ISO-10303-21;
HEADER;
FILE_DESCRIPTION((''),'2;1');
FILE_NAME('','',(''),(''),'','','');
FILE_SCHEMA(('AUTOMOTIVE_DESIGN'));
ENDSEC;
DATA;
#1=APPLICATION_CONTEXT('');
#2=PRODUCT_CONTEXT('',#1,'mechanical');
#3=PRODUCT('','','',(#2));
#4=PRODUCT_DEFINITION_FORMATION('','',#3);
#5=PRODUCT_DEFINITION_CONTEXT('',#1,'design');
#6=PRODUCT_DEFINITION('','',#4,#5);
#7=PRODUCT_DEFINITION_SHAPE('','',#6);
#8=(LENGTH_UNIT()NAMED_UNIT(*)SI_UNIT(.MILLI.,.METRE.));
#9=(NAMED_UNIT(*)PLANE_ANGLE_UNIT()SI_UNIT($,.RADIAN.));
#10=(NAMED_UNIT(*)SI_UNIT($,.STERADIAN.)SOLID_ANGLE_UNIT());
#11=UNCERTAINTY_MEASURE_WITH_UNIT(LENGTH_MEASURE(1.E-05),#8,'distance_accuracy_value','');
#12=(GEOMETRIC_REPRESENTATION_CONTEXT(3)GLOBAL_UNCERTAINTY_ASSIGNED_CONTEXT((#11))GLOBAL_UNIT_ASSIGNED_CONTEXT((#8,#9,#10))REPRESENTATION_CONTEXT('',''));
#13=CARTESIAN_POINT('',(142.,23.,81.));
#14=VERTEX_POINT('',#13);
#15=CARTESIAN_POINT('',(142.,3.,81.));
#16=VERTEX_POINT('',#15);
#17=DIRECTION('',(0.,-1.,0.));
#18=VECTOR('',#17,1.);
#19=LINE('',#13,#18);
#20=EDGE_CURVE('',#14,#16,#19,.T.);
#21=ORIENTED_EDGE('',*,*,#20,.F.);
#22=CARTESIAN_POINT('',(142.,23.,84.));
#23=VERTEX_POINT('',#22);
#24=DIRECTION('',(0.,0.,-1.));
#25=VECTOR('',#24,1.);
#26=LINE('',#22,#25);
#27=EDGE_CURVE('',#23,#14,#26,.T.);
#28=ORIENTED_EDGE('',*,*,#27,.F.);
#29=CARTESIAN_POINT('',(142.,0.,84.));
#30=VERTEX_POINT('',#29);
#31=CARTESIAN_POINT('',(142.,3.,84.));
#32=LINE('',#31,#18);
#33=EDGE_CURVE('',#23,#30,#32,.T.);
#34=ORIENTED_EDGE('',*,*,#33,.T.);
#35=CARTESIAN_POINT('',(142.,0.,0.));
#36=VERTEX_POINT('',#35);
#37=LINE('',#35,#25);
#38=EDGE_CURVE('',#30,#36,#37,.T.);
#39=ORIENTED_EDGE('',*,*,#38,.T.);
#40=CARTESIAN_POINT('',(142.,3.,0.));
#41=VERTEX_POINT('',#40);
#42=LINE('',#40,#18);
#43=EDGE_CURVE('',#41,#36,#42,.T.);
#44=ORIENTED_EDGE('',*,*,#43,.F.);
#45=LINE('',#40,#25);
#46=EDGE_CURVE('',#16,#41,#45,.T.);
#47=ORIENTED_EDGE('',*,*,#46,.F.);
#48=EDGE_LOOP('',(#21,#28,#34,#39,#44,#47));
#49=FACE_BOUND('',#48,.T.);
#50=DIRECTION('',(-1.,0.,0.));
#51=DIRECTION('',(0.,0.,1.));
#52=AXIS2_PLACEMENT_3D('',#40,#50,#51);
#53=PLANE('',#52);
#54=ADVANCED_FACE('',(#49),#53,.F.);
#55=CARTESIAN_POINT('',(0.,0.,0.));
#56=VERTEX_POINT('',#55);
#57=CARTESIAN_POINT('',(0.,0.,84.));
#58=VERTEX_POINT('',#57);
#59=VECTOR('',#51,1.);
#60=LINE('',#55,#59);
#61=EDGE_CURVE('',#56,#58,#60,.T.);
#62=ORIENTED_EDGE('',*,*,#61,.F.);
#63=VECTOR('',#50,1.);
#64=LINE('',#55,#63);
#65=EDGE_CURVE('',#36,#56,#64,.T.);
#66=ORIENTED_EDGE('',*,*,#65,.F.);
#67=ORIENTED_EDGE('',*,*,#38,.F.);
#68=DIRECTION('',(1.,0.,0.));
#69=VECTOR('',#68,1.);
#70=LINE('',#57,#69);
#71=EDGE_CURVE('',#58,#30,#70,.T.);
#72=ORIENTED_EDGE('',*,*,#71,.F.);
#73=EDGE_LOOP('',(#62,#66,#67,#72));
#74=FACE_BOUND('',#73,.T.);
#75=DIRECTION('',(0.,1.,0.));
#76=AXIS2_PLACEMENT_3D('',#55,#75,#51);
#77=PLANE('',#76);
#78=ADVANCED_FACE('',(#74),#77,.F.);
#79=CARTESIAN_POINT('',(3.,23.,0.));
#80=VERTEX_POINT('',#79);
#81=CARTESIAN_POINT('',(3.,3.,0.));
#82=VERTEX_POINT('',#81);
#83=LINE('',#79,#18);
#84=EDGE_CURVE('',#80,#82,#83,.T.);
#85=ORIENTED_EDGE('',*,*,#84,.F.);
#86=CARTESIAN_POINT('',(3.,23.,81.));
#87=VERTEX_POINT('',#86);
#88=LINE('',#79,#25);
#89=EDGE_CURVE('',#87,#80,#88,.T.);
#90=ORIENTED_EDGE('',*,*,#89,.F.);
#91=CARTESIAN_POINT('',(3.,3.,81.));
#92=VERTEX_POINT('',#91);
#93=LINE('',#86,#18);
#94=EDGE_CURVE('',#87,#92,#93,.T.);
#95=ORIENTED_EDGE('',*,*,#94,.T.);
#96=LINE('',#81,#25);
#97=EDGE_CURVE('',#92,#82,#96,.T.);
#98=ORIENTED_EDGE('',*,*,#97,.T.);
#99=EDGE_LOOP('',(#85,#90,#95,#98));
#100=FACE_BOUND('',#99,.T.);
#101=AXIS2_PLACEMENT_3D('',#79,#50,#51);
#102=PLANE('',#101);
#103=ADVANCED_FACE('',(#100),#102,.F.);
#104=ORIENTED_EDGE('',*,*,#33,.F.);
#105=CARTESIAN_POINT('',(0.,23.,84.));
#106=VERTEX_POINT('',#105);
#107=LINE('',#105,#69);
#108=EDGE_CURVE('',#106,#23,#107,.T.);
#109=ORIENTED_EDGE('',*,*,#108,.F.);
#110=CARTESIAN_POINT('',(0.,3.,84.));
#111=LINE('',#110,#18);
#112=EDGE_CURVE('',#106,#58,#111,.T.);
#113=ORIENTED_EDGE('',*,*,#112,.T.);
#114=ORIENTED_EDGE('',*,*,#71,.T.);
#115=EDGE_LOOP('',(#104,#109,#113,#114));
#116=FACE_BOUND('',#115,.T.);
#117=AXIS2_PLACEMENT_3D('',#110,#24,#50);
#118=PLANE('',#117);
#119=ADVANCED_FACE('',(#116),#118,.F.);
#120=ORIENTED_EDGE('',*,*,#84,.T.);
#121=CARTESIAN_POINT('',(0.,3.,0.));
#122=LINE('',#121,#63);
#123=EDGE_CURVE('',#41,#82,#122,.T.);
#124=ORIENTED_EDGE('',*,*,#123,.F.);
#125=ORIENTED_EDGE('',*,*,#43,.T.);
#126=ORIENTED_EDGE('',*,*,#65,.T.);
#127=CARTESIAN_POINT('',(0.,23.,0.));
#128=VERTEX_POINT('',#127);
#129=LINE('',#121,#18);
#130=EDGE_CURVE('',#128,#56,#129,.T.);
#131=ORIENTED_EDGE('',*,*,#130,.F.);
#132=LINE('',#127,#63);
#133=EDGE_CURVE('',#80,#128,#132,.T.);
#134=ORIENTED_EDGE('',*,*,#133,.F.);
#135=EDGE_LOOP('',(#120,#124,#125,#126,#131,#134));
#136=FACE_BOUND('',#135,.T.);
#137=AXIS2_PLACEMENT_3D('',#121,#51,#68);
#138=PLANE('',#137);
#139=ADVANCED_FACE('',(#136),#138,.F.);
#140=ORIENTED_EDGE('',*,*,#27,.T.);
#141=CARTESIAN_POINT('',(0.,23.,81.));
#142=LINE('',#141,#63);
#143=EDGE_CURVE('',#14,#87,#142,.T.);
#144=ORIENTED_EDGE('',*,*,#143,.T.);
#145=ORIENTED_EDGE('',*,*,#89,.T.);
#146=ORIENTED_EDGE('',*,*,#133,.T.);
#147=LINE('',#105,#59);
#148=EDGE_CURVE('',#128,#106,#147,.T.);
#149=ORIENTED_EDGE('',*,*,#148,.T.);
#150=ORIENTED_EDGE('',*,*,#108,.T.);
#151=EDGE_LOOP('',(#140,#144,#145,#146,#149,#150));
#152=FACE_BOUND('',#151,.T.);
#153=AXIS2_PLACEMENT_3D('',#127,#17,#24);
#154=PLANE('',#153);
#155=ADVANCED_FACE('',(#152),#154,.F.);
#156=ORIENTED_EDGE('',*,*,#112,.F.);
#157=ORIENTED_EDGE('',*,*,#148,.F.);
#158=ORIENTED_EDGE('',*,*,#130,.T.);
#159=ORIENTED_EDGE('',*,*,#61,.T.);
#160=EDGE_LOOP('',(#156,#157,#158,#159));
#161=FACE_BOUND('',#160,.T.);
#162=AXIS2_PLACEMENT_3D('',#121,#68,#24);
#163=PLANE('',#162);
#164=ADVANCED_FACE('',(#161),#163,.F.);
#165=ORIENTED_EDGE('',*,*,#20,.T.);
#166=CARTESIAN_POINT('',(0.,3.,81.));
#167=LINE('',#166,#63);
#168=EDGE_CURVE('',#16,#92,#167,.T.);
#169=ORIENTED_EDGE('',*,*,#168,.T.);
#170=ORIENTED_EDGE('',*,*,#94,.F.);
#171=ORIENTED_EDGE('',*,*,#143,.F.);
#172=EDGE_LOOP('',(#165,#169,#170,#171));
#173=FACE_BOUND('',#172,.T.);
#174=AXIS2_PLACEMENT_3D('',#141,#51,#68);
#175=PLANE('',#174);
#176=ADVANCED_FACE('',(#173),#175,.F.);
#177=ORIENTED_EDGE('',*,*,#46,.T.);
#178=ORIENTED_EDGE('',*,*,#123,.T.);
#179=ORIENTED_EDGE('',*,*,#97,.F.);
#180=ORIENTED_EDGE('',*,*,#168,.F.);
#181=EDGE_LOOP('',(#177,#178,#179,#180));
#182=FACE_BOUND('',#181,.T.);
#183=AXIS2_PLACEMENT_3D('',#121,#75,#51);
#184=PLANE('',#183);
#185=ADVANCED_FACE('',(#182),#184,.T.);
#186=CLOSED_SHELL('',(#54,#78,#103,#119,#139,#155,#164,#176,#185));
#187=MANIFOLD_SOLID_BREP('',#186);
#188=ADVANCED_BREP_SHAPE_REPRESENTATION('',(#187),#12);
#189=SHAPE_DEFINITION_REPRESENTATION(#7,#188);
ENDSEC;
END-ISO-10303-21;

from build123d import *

# Parameters (mm, degrees)
SKETCH2_W           = 142
SKETCH2_H           = 84
BOSS_EXTRUDE1_DEPTH = 3
SKETCH3_W           = 142
SKETCH3_H           = 3
BOSS_EXTRUDE2_DEPTH = 20
SKETCH4_W           = 3
SKETCH4_H           = 81
BOSS_EXTRUDE3_DEPTH = 20


with BuildPart() as part:
    # Sketch2 → Boss-Extrude1 (new body)
    with BuildSketch(Plane(origin=(0, 0, 0), x_dir=(1, 0, 0), z_dir=(0, 1, 0))):
        with Locations((71, -42)):
            Rectangle(SKETCH2_W, SKETCH2_H)
    extrude(amount=BOSS_EXTRUDE1_DEPTH)

    # Sketch3 → Boss-Extrude2 (add)
    with BuildSketch(Plane(origin=(0, 3, 0), x_dir=(1, 0, 0), z_dir=(0, 1, 0))):
        with Locations((71, -82.5)):
            Rectangle(SKETCH3_W, SKETCH3_H)
    extrude(amount=BOSS_EXTRUDE2_DEPTH)

    # Sketch4 → Boss-Extrude3 (add)
    with BuildSketch(Plane(origin=(0, 3, 0), x_dir=(1, 0, 0), z_dir=(0, 1, 0))):
        with Locations((1.5, -40.5)):
            Rectangle(SKETCH4_W, SKETCH4_H)
    extrude(amount=BOSS_EXTRUDE3_DEPTH)


solid = part.part
